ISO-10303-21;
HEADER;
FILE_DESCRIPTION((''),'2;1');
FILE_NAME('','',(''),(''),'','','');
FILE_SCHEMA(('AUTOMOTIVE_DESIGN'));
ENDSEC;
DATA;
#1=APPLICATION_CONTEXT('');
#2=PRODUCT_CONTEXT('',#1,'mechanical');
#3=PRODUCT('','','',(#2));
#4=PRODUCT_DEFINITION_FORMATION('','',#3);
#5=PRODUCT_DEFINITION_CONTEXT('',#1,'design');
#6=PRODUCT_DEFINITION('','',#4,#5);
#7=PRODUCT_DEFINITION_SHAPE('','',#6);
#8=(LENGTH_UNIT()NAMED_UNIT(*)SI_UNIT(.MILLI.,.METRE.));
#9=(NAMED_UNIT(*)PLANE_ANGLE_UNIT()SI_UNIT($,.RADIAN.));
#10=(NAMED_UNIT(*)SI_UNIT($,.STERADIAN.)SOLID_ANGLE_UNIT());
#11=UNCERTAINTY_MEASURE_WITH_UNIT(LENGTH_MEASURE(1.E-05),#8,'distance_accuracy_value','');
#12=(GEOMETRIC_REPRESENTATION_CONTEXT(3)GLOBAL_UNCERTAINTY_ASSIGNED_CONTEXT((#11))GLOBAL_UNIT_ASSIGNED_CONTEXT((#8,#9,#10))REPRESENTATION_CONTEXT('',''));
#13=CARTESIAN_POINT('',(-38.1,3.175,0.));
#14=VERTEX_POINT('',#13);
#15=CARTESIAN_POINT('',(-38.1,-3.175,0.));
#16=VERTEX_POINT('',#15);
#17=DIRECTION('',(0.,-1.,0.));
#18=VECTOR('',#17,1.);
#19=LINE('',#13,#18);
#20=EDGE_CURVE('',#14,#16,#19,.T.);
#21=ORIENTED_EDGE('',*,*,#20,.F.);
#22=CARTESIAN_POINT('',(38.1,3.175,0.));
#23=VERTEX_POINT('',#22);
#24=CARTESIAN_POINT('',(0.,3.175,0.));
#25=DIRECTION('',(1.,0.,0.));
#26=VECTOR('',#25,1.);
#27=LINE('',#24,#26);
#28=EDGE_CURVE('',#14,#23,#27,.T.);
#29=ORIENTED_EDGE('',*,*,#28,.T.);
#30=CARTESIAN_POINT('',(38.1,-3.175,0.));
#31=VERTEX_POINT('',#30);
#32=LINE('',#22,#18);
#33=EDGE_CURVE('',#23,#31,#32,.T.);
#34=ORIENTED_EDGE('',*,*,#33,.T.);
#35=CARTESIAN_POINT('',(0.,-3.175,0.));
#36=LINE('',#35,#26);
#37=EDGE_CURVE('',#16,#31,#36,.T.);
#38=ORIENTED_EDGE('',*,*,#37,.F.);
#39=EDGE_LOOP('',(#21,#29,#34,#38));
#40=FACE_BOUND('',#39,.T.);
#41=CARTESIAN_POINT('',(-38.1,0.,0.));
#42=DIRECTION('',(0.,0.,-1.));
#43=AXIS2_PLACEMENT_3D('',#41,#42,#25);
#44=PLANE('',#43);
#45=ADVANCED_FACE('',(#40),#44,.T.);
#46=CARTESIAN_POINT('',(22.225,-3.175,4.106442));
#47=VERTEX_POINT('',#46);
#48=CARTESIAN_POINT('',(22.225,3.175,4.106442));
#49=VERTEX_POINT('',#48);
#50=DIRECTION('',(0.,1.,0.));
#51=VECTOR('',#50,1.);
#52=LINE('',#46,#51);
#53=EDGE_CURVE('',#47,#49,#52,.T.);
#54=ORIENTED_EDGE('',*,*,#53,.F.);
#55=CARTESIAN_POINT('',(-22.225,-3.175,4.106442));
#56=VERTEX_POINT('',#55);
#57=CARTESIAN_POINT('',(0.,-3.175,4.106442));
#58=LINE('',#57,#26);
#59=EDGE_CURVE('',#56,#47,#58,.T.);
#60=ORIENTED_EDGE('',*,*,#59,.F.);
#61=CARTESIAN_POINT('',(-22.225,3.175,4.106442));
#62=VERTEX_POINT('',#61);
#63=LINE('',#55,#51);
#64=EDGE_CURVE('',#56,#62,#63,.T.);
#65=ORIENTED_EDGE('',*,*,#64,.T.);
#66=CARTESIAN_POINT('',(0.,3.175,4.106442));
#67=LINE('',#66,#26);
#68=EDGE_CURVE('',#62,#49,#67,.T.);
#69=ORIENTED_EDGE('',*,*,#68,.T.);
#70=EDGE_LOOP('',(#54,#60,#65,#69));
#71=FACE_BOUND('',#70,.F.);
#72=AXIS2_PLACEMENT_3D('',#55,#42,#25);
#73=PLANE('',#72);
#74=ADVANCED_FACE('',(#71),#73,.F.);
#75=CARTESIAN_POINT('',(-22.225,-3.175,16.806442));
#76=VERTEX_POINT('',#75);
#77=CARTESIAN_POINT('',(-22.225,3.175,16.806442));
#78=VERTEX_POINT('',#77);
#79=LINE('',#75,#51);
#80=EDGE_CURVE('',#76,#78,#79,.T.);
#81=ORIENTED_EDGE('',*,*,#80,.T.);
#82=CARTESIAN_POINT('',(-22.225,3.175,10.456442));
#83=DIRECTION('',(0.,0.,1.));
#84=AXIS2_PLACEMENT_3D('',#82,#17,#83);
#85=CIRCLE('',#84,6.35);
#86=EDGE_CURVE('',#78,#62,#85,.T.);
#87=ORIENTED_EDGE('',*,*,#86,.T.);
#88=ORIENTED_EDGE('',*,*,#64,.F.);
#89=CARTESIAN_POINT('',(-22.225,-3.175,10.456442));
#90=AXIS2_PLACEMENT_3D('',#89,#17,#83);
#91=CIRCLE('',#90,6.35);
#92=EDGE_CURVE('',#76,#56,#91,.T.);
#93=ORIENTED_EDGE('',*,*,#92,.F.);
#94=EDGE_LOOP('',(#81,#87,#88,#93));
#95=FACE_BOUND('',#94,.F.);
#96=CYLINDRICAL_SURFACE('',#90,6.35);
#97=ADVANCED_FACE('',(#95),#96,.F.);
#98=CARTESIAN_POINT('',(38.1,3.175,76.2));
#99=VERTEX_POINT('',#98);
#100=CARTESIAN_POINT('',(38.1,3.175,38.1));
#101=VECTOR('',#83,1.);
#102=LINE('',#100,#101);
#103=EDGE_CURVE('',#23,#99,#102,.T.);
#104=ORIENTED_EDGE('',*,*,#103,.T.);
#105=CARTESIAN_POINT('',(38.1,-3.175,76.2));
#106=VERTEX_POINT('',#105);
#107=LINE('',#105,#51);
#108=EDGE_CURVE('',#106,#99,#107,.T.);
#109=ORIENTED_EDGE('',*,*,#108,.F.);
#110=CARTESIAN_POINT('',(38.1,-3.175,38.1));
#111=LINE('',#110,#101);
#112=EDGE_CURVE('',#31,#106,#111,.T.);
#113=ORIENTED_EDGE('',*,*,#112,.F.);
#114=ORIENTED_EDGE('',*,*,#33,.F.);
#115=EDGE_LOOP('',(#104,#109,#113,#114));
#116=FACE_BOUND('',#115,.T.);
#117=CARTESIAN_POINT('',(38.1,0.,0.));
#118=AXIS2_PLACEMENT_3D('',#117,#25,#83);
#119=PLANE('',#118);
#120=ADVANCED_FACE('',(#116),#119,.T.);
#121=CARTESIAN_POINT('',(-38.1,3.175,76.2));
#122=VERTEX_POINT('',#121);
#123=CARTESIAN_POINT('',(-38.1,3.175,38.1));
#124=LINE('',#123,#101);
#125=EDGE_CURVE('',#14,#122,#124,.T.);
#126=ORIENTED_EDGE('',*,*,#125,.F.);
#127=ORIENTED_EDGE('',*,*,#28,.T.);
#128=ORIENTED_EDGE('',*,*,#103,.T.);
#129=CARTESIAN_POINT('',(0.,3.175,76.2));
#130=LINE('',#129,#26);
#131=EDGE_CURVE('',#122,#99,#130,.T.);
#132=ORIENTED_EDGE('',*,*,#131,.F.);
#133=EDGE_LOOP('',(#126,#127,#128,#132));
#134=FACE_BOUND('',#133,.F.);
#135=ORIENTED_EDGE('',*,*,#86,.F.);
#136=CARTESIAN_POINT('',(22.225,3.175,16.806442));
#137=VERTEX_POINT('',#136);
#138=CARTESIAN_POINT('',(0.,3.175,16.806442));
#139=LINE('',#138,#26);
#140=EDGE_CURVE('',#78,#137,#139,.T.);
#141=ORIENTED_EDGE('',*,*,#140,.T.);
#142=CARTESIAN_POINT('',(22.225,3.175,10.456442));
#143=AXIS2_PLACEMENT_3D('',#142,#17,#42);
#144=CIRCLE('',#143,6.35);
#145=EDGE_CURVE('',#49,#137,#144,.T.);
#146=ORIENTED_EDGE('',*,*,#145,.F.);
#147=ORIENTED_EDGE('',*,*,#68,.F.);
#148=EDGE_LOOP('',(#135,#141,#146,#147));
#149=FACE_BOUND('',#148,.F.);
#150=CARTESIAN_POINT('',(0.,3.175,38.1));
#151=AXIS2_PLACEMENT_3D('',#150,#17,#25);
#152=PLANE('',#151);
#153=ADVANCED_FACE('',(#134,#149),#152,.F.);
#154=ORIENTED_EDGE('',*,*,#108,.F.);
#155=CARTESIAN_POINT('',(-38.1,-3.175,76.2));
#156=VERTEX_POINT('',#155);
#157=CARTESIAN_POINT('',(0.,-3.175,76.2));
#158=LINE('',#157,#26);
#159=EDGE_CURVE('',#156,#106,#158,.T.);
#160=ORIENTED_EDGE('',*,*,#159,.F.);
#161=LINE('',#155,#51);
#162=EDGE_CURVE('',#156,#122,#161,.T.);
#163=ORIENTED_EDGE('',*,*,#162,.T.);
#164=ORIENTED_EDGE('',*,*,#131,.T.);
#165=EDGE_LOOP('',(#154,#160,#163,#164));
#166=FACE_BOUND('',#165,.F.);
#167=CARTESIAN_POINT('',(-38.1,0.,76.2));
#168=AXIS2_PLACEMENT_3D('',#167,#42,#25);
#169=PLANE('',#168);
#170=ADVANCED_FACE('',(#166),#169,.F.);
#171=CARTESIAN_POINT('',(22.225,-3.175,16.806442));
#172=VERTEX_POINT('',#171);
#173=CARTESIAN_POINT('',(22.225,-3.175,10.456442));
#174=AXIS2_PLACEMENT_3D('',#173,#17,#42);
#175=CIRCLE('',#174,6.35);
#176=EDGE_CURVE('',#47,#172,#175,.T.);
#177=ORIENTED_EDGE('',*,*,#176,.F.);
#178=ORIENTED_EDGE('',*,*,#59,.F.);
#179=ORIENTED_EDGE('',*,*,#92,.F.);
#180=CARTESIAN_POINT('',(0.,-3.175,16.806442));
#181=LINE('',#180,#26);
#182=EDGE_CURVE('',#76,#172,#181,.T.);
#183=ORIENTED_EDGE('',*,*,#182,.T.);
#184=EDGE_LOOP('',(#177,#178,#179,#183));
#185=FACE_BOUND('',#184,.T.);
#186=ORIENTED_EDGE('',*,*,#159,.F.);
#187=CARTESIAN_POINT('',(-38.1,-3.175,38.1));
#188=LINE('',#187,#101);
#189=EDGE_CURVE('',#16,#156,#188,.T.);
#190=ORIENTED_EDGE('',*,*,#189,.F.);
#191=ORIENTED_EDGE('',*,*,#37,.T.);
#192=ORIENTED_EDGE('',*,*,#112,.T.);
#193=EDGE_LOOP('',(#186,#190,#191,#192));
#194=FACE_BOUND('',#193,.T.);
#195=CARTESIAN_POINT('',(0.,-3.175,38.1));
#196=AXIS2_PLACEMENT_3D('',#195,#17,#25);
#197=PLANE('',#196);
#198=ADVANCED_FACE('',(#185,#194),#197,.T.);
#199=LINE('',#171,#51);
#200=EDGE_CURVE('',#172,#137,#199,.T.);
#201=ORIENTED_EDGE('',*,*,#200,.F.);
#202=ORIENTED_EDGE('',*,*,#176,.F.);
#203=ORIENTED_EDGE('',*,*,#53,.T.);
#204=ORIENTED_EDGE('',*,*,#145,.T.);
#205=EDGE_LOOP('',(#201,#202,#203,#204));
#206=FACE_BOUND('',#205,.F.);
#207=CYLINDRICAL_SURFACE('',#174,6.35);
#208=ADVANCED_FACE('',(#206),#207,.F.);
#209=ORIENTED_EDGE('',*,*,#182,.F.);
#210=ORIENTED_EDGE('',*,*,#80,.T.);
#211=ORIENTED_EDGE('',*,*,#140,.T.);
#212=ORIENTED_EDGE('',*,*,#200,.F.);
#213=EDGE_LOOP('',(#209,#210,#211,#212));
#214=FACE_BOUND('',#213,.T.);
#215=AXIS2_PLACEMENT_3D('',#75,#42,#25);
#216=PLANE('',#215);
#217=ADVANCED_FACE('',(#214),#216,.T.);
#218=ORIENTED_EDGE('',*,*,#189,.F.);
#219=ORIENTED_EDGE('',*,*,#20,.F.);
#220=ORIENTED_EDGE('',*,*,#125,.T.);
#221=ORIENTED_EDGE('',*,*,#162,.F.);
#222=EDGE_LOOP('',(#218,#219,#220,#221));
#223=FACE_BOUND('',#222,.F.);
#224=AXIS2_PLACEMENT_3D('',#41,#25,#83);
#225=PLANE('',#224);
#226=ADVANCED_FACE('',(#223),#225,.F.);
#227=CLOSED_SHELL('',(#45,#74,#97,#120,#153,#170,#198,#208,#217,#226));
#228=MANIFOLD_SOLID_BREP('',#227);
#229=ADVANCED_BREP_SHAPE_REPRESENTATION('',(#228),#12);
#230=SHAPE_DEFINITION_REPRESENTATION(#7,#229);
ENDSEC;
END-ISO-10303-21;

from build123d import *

# Parameters (mm, degrees)
F0_W     = 76.2
F0_H     = 76.2
F1_DEPTH = 3.175
F2_W     = 44.45
F2_H     = 12.7
F3_DEPTH = 6.35


with BuildPart() as f1:
    # F0 (on Front) → F1 (new body, symmetric)
    with BuildSketch(Plane.XZ):
        with Locations((0, 38.1)):
            Rectangle(F0_W, F0_H)
    extrude(amount=F1_DEPTH, both=True)

    # F2 (on face) → F3 (cut)
    with BuildSketch(Plane.XZ.offset(3.175)):
        with BuildLine():
            Line((-22.225, 4.1064423469), (-22.225, 16.8064423469))
            ThreePointArc((-22.225, 16.8064423469), (-28.575, 10.4564423469), (-22.225, 4.1064423469))
        make_face()
        with Locations((0, 10.4564423469)):
            Rectangle(F2_W, F2_H)
        with BuildLine():
            ThreePointArc((22.225, 4.1064423469), (28.575, 10.4564423469), (22.225, 16.8064423469))
            Line((22.225, 16.8064423469), (22.225, 4.1064423469))
        make_face()
    extrude(amount=-F3_DEPTH, mode=Mode.SUBTRACT)


solid = f1.part
